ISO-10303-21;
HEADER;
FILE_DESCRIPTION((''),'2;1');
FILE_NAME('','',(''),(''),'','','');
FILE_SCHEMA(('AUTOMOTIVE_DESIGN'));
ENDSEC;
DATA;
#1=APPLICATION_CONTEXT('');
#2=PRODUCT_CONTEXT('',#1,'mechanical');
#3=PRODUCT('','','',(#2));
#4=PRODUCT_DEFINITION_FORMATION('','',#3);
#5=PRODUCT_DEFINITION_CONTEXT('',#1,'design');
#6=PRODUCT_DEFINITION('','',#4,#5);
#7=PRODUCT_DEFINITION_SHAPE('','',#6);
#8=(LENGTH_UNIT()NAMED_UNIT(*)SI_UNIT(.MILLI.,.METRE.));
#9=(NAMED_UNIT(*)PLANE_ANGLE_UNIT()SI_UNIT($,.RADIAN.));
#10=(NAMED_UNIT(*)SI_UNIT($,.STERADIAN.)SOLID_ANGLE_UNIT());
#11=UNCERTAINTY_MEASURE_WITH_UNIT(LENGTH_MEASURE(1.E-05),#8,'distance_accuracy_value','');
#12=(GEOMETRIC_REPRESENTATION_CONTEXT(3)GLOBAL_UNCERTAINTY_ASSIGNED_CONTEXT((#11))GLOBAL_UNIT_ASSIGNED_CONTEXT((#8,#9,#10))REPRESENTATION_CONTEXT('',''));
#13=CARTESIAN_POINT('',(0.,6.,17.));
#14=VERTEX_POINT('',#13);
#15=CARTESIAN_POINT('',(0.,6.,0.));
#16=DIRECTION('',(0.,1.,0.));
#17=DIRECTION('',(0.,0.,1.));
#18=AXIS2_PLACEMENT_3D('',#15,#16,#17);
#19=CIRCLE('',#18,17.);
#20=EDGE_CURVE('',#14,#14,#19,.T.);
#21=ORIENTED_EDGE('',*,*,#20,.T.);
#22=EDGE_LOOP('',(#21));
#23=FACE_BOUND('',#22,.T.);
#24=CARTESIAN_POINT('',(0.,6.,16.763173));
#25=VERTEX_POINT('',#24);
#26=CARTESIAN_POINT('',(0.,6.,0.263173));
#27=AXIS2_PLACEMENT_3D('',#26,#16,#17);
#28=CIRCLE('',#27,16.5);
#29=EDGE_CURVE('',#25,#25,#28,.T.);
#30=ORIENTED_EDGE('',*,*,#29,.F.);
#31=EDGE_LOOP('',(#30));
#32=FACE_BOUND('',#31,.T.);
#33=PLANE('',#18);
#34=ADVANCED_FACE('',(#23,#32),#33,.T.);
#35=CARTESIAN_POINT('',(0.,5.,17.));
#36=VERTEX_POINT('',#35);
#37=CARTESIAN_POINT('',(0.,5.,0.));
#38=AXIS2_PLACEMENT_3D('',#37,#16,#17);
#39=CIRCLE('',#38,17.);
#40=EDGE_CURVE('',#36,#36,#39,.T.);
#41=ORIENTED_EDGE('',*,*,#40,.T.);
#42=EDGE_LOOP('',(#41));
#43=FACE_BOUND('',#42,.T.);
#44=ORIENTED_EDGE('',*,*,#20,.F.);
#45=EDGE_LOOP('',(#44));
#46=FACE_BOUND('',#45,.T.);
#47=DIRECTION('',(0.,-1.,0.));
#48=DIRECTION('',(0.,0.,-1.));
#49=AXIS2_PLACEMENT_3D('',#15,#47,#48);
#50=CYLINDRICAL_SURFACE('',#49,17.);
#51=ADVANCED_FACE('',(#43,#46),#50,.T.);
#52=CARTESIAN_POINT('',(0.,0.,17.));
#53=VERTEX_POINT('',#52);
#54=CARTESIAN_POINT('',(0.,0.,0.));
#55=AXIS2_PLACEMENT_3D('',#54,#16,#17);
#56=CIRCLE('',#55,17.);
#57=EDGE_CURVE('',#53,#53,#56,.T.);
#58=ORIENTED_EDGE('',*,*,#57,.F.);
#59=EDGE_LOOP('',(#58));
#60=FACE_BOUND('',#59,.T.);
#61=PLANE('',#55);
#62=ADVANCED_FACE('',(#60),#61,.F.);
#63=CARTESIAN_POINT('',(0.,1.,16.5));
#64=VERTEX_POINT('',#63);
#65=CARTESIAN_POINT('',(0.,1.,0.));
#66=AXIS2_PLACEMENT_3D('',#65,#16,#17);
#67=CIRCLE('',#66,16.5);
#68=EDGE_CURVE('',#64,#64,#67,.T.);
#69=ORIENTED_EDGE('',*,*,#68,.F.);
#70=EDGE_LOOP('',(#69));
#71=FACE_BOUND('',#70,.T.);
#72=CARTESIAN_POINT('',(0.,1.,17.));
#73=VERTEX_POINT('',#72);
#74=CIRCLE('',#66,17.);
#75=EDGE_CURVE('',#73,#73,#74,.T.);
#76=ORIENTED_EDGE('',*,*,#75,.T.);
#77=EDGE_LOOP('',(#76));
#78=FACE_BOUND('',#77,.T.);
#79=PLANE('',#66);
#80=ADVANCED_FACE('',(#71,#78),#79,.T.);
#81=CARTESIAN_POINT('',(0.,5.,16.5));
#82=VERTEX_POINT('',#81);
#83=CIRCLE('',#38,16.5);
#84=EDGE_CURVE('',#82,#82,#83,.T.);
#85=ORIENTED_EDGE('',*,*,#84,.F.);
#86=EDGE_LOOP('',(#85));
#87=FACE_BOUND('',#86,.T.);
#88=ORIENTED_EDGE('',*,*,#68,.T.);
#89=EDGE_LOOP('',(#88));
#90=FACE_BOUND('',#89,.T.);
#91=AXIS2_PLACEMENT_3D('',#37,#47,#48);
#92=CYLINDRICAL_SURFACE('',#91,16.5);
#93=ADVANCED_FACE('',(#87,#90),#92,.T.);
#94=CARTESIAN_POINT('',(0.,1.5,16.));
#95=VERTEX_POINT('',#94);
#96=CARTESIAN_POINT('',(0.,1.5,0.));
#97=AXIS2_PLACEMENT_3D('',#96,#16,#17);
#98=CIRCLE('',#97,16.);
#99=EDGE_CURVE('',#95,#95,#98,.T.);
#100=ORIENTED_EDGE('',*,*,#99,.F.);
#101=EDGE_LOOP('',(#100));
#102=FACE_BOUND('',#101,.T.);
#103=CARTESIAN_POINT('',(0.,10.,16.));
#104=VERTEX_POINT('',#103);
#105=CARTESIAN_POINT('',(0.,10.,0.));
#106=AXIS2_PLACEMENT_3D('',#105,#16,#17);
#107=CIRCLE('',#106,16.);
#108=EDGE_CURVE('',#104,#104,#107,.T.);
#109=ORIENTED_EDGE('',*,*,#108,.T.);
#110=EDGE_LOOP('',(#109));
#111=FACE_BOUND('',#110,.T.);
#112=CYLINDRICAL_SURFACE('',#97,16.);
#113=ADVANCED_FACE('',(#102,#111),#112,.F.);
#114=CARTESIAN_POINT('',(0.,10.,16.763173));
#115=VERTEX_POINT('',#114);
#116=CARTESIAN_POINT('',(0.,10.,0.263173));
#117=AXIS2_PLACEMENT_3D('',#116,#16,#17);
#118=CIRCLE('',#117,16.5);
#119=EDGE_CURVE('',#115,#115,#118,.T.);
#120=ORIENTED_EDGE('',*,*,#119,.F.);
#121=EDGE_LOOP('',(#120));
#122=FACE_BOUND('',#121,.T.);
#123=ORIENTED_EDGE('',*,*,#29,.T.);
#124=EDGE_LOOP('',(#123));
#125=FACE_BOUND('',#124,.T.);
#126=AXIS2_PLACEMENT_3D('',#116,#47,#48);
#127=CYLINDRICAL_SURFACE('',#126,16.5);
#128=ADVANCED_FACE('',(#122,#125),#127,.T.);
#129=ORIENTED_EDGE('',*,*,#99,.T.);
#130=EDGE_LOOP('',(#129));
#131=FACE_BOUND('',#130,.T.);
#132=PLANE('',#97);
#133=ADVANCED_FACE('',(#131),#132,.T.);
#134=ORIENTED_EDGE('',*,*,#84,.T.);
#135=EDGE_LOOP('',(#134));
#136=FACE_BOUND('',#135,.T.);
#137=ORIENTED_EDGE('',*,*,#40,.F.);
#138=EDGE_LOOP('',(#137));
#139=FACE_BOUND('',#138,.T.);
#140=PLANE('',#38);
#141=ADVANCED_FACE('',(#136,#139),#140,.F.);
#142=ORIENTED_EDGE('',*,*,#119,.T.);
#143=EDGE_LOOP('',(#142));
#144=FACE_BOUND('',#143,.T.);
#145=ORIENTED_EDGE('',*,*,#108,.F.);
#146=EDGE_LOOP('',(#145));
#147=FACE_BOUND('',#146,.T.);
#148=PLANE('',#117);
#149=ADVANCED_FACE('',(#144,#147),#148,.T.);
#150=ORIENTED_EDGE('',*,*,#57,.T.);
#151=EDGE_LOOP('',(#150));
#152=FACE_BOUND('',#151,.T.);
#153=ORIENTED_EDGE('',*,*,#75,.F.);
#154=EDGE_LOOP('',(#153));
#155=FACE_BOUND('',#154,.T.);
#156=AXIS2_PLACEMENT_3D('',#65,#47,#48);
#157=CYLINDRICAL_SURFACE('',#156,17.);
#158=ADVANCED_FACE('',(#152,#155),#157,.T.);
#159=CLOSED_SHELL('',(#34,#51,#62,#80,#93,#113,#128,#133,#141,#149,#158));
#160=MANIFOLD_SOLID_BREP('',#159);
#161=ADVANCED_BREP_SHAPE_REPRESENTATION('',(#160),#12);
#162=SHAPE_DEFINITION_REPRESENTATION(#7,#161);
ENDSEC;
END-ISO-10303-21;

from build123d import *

# Parameters (mm, degrees)
SKETCH_1_R          = 17
EXTRUDE_1_DEPTH     = 1
SKETCH_2_R          = 16.5
EXTRUDE_2_DEPTH     = 4
SKETCH_3_R          = 17
EXTRUDE_3_DEPTH     = 1
SKETCH_4_R          = 16.5
EXTRUDE_4_DEPTH     = 4
SKETCH_5_R          = 16
CUT_EXTRUDE_1_DEPTH = 8.5


with BuildPart() as part:
    # 草图1 → 凸台-拉伸1 (new body)
    with BuildSketch(Plane(origin=(0, 0, 0), x_dir=(1, 0, 0), z_dir=(0, 1, 0))):
        with Locations(Location((0, 0, 0), (0, 0, 270))):
            Circle(SKETCH_1_R)
    extrude(amount=EXTRUDE_1_DEPTH)

    # 草图2 → 凸台-拉伸2 (add)
    with BuildSketch(Plane(origin=(0, 1, 0), x_dir=(1, 0, 0), z_dir=(0, 1, 0))):
        with Locations(Location((0, 0, 0), (0, 0, 270))):
            Circle(SKETCH_2_R)
    extrude(amount=EXTRUDE_2_DEPTH)

    # 草图3 → 凸台-拉伸3 (add)
    with BuildSketch(Plane(origin=(0, 5, 0), x_dir=(1, 0, 0), z_dir=(0, 1, 0))):
        with Locations(Location((0, 0, 0), (0, 0, 270))):
            Circle(SKETCH_3_R)
    extrude(amount=EXTRUDE_3_DEPTH)

    # 草图4 → 凸台-拉伸4 (add)
    with BuildSketch(Plane(origin=(0, 6, 0), x_dir=(1, 0, 0), z_dir=(0, 1, 0))):
        with Locations(Location((0, -0.263172859, 0), (0, 0, 270))):
            Circle(SKETCH_4_R)
    extrude(amount=EXTRUDE_4_DEPTH)

    # 草图5 → 切除-拉伸1 (cut)
    with BuildSketch(Plane(origin=(0, 10, 0), x_dir=(1, 0, 0), z_dir=(0, 1, 0))):
        with Locations(Location((0, 0, 0), (0, 0, 270))):
            Circle(SKETCH_5_R)
    extrude(amount=-CUT_EXTRUDE_1_DEPTH, mode=Mode.SUBTRACT)


solid = part.part
